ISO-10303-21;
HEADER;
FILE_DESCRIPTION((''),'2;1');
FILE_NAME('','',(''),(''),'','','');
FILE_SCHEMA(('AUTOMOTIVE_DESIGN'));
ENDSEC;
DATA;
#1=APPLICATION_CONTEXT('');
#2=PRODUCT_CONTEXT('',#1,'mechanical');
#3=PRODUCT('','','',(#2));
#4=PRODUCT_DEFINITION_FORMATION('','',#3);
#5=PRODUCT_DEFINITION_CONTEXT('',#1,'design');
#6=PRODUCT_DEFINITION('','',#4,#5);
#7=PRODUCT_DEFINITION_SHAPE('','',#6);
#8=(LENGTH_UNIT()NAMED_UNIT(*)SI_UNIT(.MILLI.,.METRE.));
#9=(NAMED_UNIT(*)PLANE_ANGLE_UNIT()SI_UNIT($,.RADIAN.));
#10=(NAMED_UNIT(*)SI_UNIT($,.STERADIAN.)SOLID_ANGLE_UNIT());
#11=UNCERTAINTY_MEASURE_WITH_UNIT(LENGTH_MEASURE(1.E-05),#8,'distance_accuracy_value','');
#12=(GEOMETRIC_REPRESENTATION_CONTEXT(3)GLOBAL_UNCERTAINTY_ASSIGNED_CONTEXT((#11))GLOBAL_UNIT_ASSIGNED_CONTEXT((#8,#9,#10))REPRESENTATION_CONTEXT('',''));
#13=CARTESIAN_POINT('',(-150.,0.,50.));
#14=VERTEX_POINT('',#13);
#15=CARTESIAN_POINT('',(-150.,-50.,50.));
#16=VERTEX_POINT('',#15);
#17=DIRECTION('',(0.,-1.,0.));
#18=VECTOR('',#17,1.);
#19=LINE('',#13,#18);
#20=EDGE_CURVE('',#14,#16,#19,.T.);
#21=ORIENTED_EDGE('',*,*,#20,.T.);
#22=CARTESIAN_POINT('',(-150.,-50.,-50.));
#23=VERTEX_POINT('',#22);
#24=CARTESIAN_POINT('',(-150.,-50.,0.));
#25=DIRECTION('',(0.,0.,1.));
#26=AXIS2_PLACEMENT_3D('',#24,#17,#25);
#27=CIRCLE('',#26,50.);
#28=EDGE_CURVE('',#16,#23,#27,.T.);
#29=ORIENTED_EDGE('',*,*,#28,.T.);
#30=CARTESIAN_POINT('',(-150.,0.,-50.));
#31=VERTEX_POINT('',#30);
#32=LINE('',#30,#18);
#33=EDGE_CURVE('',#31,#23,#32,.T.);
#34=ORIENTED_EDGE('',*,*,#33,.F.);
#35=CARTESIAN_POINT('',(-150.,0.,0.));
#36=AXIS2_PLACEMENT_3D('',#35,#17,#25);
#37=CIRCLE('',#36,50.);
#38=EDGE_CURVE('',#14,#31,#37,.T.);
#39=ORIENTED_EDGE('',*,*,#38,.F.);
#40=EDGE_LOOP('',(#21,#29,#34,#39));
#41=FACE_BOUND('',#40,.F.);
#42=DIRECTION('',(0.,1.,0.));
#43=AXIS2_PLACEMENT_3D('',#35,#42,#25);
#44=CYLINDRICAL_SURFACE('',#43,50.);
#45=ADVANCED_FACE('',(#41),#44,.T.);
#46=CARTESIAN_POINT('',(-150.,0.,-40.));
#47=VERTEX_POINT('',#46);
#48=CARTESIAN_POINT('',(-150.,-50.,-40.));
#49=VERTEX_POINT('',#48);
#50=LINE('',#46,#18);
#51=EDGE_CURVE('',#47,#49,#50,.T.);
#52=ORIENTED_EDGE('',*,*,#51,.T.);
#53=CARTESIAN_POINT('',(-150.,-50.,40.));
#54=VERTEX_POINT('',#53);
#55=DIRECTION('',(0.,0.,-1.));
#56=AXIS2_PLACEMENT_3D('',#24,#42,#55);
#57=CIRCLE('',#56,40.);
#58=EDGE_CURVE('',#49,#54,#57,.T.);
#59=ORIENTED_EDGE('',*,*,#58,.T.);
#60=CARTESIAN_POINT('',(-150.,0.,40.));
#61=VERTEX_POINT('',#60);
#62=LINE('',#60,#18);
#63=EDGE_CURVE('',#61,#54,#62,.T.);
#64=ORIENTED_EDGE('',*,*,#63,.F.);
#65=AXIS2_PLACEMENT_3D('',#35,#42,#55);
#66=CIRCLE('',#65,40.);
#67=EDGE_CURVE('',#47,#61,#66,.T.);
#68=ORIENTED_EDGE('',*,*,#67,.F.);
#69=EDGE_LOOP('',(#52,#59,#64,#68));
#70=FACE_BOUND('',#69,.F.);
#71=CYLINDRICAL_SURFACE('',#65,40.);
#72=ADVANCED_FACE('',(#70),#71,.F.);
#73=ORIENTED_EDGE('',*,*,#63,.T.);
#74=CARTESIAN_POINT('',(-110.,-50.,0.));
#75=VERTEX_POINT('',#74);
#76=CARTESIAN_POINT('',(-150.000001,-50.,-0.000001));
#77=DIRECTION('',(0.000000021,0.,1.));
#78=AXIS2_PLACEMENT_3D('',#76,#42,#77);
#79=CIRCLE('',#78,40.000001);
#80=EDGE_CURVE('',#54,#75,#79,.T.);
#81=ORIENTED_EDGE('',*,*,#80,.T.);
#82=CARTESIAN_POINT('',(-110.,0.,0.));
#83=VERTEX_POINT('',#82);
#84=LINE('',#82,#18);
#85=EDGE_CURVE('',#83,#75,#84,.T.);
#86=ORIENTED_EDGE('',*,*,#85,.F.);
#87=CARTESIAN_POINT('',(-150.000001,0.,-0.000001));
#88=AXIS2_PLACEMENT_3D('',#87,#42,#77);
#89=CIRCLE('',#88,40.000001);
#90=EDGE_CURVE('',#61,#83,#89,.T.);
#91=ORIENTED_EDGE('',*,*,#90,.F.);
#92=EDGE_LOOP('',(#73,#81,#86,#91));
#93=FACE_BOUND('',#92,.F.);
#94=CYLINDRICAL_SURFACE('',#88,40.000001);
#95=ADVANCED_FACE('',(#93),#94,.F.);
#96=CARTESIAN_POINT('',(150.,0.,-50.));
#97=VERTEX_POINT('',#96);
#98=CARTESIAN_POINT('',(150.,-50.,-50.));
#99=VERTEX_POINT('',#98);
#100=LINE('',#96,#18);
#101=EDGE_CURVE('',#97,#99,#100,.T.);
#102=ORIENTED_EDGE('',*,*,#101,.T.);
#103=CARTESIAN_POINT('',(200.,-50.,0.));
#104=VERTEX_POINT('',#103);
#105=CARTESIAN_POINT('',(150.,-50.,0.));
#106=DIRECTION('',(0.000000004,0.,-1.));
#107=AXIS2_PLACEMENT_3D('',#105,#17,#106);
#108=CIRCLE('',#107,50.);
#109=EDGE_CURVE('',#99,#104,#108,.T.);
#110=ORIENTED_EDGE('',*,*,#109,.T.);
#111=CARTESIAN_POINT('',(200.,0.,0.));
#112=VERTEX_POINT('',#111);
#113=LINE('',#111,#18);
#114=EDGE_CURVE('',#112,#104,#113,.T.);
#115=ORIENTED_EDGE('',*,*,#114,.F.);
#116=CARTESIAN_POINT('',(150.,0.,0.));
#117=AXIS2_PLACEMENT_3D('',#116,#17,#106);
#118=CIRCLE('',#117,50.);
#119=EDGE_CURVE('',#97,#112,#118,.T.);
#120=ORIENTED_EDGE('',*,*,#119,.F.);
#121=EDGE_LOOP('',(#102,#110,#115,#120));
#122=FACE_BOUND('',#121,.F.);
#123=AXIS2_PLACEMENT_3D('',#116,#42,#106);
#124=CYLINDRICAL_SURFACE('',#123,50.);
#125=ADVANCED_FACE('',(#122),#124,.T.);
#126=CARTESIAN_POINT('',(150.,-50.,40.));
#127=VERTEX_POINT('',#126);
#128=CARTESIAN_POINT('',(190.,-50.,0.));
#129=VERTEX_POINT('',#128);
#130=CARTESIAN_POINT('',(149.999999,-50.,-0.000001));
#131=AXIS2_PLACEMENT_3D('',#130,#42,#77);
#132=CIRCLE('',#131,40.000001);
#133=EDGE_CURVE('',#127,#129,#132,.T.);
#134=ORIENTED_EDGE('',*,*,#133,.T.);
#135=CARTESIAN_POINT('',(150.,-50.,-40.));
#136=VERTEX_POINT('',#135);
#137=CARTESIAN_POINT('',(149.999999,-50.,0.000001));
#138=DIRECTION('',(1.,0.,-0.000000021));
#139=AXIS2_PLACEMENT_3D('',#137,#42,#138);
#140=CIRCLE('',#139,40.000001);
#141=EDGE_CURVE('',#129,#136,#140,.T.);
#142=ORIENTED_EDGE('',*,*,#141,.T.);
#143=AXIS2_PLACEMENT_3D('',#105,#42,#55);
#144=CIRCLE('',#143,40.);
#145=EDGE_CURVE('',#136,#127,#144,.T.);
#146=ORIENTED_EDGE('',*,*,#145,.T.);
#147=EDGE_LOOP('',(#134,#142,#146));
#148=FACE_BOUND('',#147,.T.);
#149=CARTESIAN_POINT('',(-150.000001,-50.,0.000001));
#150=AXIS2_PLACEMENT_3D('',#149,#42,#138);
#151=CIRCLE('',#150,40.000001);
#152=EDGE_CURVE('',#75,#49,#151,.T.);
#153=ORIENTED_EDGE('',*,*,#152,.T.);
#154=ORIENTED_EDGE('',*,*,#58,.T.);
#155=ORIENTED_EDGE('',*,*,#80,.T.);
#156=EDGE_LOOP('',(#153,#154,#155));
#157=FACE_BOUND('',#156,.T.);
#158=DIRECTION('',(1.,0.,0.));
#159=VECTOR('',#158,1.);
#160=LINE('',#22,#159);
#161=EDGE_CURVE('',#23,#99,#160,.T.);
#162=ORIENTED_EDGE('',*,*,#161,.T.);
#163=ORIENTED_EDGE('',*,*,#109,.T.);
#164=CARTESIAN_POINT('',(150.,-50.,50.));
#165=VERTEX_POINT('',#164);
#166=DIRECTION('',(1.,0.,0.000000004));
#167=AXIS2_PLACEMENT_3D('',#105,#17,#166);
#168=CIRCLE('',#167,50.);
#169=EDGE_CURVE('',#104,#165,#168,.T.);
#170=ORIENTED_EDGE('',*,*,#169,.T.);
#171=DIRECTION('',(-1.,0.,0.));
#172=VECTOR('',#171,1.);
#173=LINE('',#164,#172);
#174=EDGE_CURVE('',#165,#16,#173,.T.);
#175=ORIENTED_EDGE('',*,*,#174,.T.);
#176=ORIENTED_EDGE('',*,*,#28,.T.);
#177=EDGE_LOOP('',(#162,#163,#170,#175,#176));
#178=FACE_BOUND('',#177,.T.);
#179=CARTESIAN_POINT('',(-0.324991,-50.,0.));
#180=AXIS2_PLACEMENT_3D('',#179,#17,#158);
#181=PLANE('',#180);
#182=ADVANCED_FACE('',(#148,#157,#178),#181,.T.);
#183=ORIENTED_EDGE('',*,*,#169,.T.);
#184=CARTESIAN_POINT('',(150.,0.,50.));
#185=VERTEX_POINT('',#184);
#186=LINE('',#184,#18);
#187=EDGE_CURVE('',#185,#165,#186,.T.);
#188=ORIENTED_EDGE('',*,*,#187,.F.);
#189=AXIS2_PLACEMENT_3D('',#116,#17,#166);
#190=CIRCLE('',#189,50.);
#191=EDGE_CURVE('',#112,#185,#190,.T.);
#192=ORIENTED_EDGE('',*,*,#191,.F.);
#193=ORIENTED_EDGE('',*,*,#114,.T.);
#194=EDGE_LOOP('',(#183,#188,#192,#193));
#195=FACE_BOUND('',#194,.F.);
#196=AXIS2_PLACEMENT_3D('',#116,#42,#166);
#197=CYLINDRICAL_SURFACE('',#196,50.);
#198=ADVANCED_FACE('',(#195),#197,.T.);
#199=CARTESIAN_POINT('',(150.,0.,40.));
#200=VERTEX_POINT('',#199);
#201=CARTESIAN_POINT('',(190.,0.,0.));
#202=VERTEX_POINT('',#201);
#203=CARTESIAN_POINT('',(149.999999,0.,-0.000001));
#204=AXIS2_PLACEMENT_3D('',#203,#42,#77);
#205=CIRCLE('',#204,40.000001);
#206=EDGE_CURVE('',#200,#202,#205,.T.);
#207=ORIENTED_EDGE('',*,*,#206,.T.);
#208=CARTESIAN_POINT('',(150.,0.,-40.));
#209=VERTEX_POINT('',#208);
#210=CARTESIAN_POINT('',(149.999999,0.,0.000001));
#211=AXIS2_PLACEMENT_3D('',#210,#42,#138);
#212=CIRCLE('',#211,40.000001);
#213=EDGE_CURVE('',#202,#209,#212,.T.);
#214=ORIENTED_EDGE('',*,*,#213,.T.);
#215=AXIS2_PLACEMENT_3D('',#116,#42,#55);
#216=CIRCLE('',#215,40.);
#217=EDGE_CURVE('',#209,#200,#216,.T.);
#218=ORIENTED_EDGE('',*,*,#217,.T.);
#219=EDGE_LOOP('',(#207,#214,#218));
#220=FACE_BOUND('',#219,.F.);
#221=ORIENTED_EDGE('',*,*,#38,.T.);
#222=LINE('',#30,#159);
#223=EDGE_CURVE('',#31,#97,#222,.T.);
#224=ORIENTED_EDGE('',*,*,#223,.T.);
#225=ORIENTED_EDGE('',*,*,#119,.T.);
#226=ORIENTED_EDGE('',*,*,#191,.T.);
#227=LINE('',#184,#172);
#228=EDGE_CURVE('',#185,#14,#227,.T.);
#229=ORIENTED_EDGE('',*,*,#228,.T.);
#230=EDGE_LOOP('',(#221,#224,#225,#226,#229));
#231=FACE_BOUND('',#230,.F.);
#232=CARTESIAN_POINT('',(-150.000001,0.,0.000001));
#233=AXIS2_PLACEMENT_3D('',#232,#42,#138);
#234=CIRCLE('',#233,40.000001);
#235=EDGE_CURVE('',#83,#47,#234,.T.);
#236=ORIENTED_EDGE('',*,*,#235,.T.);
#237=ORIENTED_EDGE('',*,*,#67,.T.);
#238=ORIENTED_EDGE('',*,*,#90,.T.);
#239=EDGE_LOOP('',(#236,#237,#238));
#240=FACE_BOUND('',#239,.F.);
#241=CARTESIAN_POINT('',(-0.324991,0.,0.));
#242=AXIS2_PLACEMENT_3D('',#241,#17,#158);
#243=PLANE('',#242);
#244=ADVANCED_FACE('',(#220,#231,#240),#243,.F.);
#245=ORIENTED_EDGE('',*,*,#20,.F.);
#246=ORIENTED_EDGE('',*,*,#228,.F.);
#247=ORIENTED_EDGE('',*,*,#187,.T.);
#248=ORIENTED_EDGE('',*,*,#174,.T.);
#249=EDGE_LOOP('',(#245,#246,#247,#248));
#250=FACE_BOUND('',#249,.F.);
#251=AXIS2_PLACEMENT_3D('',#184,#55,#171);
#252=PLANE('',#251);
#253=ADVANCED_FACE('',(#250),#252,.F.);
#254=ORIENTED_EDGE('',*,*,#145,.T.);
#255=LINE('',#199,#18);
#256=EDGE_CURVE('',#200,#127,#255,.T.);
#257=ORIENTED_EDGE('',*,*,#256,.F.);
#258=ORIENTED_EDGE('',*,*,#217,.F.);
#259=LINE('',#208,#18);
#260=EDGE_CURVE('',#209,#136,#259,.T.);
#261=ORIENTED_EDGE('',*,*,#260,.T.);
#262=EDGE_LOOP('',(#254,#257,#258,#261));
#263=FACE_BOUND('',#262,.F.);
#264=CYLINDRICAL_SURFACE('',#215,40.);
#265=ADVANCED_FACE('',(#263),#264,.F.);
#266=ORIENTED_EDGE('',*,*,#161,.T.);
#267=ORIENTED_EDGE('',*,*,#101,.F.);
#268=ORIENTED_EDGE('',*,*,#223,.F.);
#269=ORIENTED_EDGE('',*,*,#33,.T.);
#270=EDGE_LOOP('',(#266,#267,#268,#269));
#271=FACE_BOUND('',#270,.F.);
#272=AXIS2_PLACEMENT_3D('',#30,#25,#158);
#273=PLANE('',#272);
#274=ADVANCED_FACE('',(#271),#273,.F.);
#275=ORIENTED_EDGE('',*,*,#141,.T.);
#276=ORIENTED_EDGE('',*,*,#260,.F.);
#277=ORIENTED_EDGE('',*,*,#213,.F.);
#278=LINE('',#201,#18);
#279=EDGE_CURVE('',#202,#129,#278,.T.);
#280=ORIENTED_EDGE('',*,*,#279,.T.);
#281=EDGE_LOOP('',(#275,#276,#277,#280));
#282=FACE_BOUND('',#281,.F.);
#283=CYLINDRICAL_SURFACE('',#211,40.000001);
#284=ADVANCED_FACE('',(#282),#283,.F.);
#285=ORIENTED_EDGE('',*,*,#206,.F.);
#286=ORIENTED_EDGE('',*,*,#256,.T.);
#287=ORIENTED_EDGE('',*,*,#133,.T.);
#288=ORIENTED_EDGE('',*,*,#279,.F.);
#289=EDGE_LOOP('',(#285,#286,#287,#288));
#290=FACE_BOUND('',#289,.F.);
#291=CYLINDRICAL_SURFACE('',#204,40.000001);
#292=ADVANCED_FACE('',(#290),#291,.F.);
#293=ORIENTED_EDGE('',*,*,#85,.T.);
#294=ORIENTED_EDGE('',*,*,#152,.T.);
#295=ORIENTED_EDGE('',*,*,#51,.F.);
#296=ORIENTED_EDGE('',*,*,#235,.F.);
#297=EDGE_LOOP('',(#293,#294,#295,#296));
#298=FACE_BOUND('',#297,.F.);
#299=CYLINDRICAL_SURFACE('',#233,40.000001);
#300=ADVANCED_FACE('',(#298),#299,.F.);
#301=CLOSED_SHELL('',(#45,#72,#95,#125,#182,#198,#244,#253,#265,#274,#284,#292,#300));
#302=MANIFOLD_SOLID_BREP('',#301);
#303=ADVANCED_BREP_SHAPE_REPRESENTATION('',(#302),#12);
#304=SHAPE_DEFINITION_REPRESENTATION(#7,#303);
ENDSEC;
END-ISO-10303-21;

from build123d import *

# Parameters (mm, degrees)
F1_DEPTH = 50


with BuildPart() as f1:
    # F0 (on Front) → F1 (new body)
    with BuildSketch(Plane.XZ):
        with BuildLine():
            Line((0, -50), (150, -50))
            ThreePointArc((150, -50), (100, 0), (150, 50))
            Line((150, 50), (-150, 50))
            ThreePointArc((-150, 50), (-114.644661, 35.355339), (-100, 0))
            ThreePointArc((-100, 0), (-114.644661, -35.355339), (-150, -50))
            Line((-150, -50), (0, -50))
        make_face()
        with BuildLine():
            ThreePointArc((-150, 50), (-200, 0), (-150, -50))
            Line((-150, -50), (-150, -40))
            ThreePointArc((-150, -40), (-190, 0), (-150, 40))
            Line((-150, 40), (-150, 50))
        make_face()
        with BuildLine():
            Line((150, -40), (150, -50))
            ThreePointArc((150, -50), (185.355339, -35.355339), (200, 0))
            ThreePointArc((200, 0), (185.355339, 35.355339), (150, 50))
            Line((150, 50), (150, 40))
            ThreePointArc((150, 40), (178.284271, 28.284271), (190, 0))
            ThreePointArc((190, 0), (178.284271, -28.284271), (150, -40))
        make_face()
        with BuildLine():
            ThreePointArc((150, 50), (100, 0), (150, -50))
            Line((150, -50), (150, -40))
            ThreePointArc((150, -40), (110, 0), (150, 40))
            Line((150, 40), (150, 50))
        make_face()
        with BuildLine():
            Line((-150, -40), (-150, -50))
            ThreePointArc((-150, -50), (-114.644661, -35.355339), (-100, 0))
            ThreePointArc((-100, 0), (-114.644661, 35.355339), (-150, 50))
            Line((-150, 50), (-150, 40))
            ThreePointArc((-150, 40), (-121.715729, 28.284271), (-110, 0))
            ThreePointArc((-110, 0), (-121.715729, -28.284271), (-150, -40))
        make_face()
    extrude(amount=F1_DEPTH)


solid = f1.part
